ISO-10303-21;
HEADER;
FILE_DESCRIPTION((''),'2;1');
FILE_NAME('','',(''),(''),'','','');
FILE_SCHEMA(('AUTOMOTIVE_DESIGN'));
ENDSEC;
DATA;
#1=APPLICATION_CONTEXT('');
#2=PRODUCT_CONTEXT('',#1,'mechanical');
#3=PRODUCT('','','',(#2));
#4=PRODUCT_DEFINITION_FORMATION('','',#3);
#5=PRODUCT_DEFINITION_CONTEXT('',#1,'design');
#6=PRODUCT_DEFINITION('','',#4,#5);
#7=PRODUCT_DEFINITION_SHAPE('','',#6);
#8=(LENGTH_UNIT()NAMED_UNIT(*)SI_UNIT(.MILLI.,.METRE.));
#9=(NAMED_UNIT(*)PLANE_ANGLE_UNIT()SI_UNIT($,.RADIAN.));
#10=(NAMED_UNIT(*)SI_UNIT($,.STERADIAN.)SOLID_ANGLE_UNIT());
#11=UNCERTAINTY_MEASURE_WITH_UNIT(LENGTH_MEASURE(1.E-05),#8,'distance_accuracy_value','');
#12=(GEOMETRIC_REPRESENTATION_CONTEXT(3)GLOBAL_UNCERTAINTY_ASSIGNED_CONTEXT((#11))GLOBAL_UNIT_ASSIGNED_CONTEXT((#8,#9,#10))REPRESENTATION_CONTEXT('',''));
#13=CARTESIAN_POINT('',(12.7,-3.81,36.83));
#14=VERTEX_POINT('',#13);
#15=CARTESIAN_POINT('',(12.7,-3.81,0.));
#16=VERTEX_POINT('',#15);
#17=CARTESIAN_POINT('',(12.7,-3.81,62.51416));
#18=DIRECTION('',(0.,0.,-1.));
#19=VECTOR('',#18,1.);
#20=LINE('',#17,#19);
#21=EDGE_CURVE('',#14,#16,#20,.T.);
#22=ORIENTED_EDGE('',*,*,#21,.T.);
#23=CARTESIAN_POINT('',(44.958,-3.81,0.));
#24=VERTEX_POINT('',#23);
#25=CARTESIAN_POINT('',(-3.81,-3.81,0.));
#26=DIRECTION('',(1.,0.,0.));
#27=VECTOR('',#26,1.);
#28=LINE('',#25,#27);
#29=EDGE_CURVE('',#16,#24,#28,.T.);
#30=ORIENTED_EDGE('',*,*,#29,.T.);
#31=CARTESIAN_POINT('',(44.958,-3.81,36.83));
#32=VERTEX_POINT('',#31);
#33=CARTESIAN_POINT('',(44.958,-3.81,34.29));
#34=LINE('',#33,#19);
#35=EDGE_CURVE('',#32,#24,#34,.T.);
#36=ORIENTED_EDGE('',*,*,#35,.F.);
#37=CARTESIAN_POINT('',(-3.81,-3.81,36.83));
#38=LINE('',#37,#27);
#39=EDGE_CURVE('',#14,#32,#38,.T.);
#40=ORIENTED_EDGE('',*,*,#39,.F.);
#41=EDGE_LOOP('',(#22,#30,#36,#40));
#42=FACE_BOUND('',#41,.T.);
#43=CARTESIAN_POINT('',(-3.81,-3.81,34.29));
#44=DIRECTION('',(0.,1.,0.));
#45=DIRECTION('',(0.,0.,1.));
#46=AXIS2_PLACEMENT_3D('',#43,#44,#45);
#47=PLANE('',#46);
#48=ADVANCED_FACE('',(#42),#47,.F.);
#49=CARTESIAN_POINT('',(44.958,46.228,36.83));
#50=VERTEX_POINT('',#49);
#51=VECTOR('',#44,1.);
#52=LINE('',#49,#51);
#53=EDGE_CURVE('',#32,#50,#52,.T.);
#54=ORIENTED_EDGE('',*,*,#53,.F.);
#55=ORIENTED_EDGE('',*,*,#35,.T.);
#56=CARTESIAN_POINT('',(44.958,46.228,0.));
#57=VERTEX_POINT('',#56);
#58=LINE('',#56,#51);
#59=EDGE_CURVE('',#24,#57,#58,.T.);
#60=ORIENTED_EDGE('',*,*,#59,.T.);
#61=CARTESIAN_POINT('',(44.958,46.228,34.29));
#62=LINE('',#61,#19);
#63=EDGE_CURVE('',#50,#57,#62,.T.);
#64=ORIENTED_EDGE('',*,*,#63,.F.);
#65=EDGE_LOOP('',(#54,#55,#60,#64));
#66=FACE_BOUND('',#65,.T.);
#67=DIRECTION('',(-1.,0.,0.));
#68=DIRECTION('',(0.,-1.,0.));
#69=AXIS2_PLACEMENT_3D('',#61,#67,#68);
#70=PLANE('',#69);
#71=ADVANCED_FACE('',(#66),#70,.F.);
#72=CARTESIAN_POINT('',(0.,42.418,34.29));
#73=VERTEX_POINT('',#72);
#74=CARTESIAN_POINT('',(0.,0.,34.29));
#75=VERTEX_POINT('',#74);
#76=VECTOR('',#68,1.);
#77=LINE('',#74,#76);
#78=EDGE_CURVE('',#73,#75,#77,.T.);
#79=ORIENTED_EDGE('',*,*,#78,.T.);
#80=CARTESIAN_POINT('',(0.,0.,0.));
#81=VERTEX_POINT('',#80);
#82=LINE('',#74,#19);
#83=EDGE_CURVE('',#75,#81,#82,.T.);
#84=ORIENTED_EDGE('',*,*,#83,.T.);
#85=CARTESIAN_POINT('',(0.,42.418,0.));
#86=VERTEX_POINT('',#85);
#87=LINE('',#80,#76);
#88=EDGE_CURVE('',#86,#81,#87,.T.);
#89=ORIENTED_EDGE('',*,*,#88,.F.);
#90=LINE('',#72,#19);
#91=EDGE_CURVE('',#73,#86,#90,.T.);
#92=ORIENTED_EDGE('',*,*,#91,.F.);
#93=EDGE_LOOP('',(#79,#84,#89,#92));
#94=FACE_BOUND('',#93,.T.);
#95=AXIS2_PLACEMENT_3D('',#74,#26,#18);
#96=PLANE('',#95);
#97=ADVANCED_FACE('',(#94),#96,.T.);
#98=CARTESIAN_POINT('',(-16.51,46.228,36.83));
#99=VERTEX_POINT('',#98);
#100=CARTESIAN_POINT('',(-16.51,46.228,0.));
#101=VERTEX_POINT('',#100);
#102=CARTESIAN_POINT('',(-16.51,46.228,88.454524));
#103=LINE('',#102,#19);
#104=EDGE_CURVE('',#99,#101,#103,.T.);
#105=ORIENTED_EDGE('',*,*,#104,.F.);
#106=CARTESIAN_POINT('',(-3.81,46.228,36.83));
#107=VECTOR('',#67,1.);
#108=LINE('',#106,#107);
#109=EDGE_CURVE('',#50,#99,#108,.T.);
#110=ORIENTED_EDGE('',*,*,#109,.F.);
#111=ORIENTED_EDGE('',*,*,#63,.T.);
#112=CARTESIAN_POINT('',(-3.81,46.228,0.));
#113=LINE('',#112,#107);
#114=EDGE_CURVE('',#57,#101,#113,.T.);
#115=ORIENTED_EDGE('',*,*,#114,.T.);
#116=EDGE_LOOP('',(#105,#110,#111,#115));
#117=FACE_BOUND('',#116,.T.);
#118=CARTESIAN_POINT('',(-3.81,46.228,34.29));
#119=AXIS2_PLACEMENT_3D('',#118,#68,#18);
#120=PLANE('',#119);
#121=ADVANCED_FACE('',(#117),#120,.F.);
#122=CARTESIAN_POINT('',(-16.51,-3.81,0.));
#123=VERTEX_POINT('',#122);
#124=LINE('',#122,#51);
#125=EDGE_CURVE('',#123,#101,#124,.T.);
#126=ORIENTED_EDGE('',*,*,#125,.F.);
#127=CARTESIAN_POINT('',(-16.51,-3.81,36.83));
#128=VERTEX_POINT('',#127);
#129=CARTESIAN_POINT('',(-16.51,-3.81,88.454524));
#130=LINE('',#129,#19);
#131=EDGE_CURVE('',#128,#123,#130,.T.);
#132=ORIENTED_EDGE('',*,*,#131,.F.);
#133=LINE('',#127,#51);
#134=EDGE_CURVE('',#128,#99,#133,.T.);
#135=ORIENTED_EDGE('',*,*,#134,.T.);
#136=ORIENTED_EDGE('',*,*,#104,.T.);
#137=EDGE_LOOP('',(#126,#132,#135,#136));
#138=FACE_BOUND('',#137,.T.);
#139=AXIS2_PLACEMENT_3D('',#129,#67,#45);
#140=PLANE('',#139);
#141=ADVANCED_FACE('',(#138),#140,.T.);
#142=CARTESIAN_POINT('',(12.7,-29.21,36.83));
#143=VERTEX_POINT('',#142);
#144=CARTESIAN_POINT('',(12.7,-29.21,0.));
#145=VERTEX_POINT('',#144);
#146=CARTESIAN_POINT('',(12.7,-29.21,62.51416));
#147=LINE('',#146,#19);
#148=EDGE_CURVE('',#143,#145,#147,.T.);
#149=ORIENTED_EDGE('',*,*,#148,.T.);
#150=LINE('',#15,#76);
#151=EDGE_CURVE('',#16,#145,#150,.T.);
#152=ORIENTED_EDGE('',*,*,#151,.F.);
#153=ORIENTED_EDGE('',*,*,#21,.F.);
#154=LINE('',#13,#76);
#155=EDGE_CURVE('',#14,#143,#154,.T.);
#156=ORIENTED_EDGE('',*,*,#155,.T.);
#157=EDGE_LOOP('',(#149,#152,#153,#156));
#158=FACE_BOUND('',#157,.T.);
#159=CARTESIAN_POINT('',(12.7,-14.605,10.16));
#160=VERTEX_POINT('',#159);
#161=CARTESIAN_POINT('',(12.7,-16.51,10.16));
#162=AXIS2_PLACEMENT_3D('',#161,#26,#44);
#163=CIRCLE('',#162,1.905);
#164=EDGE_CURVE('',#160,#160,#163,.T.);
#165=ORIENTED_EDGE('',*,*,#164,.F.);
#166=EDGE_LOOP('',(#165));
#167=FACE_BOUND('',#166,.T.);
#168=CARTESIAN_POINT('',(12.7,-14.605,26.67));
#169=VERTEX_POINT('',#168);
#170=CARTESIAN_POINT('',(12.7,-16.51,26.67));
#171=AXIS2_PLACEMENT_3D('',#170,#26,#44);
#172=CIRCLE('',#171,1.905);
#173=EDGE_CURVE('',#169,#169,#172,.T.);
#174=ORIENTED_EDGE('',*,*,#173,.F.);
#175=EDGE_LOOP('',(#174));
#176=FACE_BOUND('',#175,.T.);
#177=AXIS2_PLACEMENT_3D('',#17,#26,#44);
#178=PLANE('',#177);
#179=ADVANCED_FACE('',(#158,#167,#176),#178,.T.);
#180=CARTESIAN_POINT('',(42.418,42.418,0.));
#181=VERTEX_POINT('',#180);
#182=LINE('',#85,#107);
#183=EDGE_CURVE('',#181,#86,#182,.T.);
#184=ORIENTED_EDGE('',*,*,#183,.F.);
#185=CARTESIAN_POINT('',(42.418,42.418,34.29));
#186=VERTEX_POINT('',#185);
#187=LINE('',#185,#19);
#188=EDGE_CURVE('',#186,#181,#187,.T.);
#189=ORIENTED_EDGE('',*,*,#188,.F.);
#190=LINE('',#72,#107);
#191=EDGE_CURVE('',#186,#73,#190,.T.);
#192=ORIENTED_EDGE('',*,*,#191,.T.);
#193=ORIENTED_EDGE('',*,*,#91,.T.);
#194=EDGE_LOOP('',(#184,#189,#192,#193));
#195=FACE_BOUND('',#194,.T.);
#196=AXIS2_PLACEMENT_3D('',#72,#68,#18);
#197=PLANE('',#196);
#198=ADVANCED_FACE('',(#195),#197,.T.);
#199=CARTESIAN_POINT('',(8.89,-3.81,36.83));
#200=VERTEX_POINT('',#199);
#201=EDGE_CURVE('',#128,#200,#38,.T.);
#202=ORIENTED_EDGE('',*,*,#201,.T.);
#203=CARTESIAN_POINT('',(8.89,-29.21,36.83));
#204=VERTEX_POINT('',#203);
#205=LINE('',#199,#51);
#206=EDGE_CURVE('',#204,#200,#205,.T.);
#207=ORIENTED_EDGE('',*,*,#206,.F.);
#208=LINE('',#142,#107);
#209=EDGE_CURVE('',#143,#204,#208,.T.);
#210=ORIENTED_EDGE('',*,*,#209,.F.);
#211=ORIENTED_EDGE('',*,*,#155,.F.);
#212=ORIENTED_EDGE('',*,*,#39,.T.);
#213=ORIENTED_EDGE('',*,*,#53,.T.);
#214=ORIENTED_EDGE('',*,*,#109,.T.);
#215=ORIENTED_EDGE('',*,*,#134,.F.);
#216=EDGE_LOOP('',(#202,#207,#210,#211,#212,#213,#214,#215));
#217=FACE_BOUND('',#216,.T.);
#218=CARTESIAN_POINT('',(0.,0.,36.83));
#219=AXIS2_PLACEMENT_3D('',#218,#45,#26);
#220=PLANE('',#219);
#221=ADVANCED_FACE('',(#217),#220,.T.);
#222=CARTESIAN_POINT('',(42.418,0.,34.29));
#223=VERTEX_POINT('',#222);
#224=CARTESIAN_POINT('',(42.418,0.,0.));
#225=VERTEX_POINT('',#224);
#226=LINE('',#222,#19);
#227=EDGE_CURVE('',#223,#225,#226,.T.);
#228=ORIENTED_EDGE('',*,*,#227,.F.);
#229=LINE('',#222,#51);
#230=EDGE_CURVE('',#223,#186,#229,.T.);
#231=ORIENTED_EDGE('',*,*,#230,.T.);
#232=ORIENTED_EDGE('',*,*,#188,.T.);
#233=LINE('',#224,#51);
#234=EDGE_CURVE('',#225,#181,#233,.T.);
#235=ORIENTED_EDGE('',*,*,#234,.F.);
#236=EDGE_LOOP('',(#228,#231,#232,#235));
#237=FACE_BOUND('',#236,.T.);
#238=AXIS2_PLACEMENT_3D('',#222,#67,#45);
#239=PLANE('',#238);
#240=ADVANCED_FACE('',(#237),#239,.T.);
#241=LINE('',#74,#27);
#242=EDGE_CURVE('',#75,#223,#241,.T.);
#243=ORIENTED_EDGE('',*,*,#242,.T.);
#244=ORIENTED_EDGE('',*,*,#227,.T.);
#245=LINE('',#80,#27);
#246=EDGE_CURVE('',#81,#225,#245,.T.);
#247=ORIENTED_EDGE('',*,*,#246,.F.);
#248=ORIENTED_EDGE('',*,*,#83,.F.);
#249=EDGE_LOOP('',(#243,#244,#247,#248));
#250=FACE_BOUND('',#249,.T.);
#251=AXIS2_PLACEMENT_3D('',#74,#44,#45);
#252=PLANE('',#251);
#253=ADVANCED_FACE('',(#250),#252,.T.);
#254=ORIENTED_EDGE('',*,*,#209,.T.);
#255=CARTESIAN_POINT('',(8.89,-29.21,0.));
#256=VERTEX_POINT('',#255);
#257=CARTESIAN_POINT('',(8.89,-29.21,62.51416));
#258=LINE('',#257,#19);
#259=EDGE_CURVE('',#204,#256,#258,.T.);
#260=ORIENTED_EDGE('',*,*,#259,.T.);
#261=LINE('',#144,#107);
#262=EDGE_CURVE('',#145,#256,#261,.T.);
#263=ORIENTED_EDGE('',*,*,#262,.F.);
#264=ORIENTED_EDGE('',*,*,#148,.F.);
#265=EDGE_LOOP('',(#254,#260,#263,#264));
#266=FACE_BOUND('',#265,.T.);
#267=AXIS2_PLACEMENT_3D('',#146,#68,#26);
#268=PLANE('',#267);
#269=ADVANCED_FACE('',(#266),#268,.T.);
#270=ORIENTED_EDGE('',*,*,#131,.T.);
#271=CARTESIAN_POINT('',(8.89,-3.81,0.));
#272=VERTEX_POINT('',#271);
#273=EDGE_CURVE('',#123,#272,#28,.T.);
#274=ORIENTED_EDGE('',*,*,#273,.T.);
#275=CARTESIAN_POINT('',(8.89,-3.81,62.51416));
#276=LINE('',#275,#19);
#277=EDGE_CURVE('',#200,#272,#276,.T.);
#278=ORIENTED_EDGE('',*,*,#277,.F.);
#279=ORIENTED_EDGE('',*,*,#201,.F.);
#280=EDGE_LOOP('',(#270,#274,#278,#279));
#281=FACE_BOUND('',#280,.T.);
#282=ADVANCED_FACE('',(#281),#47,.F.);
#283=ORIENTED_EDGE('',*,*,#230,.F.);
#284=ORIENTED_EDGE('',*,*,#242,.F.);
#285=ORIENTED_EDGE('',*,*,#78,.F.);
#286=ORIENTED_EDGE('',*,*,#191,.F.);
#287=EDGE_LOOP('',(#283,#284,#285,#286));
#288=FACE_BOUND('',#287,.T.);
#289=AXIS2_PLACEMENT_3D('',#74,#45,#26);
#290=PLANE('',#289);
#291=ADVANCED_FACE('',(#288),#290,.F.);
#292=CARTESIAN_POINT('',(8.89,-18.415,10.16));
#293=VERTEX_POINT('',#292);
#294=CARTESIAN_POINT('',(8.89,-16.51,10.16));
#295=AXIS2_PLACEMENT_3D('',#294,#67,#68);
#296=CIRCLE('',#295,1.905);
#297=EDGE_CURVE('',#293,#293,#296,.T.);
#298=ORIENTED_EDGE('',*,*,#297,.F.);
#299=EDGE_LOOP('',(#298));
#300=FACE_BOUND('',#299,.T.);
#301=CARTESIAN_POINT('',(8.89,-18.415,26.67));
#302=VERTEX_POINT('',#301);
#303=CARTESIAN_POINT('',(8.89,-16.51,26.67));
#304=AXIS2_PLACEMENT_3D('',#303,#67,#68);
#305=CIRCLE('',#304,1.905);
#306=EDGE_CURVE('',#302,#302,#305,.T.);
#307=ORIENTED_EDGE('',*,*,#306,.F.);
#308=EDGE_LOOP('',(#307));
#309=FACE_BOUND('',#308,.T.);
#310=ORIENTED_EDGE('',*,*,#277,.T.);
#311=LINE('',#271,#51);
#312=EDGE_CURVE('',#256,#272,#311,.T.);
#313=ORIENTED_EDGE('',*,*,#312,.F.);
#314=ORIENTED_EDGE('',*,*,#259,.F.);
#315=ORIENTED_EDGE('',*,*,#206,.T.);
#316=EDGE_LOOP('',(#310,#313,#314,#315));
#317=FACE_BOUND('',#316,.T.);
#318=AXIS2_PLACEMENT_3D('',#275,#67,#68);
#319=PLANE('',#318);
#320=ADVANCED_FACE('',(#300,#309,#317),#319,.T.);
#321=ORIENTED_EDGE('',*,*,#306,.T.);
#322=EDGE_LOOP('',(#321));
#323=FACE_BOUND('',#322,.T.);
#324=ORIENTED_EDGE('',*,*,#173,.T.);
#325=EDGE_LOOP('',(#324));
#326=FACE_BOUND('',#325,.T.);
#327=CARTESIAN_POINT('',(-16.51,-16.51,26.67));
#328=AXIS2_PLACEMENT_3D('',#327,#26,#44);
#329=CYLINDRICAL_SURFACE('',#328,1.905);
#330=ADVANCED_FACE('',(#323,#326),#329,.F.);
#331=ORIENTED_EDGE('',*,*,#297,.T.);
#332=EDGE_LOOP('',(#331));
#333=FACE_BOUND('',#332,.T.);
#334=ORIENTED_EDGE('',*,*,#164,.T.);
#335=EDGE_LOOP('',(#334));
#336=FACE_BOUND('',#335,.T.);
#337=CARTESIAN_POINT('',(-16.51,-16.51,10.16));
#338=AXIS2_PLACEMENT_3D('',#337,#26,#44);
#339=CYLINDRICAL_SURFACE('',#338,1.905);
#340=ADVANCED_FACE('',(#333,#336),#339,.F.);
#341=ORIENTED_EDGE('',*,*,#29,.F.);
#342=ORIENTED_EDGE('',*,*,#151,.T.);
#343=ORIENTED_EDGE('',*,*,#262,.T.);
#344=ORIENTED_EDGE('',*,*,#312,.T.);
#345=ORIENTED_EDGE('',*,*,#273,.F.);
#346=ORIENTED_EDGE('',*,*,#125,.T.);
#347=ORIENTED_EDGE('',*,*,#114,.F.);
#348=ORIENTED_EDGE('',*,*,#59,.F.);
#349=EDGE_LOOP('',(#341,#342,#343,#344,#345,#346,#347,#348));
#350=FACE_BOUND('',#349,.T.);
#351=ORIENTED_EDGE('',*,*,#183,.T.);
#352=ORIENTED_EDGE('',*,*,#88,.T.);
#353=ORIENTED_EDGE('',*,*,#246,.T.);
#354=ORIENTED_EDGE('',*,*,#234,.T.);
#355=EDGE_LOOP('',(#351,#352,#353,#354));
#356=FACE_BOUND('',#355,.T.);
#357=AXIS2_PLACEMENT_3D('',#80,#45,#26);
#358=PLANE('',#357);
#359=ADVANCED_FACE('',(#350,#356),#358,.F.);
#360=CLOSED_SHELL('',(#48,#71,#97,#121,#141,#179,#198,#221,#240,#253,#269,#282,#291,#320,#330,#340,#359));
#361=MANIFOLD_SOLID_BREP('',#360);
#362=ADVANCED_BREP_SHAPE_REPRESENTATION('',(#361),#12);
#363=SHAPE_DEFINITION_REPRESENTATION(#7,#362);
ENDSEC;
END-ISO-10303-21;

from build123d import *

# Parameters (mm, degrees)
SKETCH2_W           = 48.768
SKETCH2_H           = 50.038
SKETCH2_W_2         = 42.418
SKETCH2_H_2         = 42.418
BOSS_EXTRUDE1_DEPTH = 34.29
SKETCH4_W           = 48.768
SKETCH4_H           = 50.038
BOSS_EXTRUDE2_DEPTH = 2.54
SKETCH5_W           = 3.81
SKETCH5_H           = 25.4
BOSS_EXTRUDE3_DEPTH = 36.83
SKETCH6_W           = 12.7
SKETCH6_H           = 50.038
BOSS_EXTRUDE4_DEPTH = 36.83
SKETCH7_R           = 1.905
CUT_EXTRUDE1_DEPTH  = 30.21


with BuildPart() as part:
    # Sketch2 → Boss-Extrude1 (new body)
    with BuildSketch(Plane.XY):
        with Locations((20.574, 21.209)):
            Rectangle(SKETCH2_W, SKETCH2_H)
        with Locations((21.209, 21.209)):
            Rectangle(SKETCH2_W_2, SKETCH2_H_2, mode=Mode.SUBTRACT)
    extrude(amount=BOSS_EXTRUDE1_DEPTH)

    # Sketch4 → Boss-Extrude2 (add)
    with BuildSketch(Plane.XY.offset(34.29)):
        with Locations((20.574, 21.209)):
            Rectangle(SKETCH4_W, SKETCH4_H)
    extrude(amount=BOSS_EXTRUDE2_DEPTH)

    # Sketch5 → Boss-Extrude3 (add)
    with BuildSketch(Plane(origin=(0, 0, 0), x_dir=(-1, 0, 0), z_dir=(0, 0, -1))):
        with Locations((-10.795, -16.51)):
            Rectangle(SKETCH5_W, SKETCH5_H)
    extrude(amount=-BOSS_EXTRUDE3_DEPTH)

    # Sketch6 → Boss-Extrude4 (add)
    with BuildSketch(Plane(origin=(0, 0, 0), x_dir=(-1, 0, 0), z_dir=(0, 0, -1))):
        with Locations((10.16, 21.209)):
            Rectangle(SKETCH6_W, SKETCH6_H)
    extrude(amount=-BOSS_EXTRUDE4_DEPTH)

    # Sketch7 → Cut-Extrude1 (cut, through all)
    with BuildSketch(Plane(origin=(12.7, 0, 0), x_dir=(0, 0, -1), z_dir=(1, 0, 0))):
        with Locations((-26.67, -16.51)):
            Circle(SKETCH7_R)
        with Locations((-10.16, -16.51)):
            Circle(SKETCH7_R)
    extrude(amount=-CUT_EXTRUDE1_DEPTH, mode=Mode.SUBTRACT)


solid = part.part
